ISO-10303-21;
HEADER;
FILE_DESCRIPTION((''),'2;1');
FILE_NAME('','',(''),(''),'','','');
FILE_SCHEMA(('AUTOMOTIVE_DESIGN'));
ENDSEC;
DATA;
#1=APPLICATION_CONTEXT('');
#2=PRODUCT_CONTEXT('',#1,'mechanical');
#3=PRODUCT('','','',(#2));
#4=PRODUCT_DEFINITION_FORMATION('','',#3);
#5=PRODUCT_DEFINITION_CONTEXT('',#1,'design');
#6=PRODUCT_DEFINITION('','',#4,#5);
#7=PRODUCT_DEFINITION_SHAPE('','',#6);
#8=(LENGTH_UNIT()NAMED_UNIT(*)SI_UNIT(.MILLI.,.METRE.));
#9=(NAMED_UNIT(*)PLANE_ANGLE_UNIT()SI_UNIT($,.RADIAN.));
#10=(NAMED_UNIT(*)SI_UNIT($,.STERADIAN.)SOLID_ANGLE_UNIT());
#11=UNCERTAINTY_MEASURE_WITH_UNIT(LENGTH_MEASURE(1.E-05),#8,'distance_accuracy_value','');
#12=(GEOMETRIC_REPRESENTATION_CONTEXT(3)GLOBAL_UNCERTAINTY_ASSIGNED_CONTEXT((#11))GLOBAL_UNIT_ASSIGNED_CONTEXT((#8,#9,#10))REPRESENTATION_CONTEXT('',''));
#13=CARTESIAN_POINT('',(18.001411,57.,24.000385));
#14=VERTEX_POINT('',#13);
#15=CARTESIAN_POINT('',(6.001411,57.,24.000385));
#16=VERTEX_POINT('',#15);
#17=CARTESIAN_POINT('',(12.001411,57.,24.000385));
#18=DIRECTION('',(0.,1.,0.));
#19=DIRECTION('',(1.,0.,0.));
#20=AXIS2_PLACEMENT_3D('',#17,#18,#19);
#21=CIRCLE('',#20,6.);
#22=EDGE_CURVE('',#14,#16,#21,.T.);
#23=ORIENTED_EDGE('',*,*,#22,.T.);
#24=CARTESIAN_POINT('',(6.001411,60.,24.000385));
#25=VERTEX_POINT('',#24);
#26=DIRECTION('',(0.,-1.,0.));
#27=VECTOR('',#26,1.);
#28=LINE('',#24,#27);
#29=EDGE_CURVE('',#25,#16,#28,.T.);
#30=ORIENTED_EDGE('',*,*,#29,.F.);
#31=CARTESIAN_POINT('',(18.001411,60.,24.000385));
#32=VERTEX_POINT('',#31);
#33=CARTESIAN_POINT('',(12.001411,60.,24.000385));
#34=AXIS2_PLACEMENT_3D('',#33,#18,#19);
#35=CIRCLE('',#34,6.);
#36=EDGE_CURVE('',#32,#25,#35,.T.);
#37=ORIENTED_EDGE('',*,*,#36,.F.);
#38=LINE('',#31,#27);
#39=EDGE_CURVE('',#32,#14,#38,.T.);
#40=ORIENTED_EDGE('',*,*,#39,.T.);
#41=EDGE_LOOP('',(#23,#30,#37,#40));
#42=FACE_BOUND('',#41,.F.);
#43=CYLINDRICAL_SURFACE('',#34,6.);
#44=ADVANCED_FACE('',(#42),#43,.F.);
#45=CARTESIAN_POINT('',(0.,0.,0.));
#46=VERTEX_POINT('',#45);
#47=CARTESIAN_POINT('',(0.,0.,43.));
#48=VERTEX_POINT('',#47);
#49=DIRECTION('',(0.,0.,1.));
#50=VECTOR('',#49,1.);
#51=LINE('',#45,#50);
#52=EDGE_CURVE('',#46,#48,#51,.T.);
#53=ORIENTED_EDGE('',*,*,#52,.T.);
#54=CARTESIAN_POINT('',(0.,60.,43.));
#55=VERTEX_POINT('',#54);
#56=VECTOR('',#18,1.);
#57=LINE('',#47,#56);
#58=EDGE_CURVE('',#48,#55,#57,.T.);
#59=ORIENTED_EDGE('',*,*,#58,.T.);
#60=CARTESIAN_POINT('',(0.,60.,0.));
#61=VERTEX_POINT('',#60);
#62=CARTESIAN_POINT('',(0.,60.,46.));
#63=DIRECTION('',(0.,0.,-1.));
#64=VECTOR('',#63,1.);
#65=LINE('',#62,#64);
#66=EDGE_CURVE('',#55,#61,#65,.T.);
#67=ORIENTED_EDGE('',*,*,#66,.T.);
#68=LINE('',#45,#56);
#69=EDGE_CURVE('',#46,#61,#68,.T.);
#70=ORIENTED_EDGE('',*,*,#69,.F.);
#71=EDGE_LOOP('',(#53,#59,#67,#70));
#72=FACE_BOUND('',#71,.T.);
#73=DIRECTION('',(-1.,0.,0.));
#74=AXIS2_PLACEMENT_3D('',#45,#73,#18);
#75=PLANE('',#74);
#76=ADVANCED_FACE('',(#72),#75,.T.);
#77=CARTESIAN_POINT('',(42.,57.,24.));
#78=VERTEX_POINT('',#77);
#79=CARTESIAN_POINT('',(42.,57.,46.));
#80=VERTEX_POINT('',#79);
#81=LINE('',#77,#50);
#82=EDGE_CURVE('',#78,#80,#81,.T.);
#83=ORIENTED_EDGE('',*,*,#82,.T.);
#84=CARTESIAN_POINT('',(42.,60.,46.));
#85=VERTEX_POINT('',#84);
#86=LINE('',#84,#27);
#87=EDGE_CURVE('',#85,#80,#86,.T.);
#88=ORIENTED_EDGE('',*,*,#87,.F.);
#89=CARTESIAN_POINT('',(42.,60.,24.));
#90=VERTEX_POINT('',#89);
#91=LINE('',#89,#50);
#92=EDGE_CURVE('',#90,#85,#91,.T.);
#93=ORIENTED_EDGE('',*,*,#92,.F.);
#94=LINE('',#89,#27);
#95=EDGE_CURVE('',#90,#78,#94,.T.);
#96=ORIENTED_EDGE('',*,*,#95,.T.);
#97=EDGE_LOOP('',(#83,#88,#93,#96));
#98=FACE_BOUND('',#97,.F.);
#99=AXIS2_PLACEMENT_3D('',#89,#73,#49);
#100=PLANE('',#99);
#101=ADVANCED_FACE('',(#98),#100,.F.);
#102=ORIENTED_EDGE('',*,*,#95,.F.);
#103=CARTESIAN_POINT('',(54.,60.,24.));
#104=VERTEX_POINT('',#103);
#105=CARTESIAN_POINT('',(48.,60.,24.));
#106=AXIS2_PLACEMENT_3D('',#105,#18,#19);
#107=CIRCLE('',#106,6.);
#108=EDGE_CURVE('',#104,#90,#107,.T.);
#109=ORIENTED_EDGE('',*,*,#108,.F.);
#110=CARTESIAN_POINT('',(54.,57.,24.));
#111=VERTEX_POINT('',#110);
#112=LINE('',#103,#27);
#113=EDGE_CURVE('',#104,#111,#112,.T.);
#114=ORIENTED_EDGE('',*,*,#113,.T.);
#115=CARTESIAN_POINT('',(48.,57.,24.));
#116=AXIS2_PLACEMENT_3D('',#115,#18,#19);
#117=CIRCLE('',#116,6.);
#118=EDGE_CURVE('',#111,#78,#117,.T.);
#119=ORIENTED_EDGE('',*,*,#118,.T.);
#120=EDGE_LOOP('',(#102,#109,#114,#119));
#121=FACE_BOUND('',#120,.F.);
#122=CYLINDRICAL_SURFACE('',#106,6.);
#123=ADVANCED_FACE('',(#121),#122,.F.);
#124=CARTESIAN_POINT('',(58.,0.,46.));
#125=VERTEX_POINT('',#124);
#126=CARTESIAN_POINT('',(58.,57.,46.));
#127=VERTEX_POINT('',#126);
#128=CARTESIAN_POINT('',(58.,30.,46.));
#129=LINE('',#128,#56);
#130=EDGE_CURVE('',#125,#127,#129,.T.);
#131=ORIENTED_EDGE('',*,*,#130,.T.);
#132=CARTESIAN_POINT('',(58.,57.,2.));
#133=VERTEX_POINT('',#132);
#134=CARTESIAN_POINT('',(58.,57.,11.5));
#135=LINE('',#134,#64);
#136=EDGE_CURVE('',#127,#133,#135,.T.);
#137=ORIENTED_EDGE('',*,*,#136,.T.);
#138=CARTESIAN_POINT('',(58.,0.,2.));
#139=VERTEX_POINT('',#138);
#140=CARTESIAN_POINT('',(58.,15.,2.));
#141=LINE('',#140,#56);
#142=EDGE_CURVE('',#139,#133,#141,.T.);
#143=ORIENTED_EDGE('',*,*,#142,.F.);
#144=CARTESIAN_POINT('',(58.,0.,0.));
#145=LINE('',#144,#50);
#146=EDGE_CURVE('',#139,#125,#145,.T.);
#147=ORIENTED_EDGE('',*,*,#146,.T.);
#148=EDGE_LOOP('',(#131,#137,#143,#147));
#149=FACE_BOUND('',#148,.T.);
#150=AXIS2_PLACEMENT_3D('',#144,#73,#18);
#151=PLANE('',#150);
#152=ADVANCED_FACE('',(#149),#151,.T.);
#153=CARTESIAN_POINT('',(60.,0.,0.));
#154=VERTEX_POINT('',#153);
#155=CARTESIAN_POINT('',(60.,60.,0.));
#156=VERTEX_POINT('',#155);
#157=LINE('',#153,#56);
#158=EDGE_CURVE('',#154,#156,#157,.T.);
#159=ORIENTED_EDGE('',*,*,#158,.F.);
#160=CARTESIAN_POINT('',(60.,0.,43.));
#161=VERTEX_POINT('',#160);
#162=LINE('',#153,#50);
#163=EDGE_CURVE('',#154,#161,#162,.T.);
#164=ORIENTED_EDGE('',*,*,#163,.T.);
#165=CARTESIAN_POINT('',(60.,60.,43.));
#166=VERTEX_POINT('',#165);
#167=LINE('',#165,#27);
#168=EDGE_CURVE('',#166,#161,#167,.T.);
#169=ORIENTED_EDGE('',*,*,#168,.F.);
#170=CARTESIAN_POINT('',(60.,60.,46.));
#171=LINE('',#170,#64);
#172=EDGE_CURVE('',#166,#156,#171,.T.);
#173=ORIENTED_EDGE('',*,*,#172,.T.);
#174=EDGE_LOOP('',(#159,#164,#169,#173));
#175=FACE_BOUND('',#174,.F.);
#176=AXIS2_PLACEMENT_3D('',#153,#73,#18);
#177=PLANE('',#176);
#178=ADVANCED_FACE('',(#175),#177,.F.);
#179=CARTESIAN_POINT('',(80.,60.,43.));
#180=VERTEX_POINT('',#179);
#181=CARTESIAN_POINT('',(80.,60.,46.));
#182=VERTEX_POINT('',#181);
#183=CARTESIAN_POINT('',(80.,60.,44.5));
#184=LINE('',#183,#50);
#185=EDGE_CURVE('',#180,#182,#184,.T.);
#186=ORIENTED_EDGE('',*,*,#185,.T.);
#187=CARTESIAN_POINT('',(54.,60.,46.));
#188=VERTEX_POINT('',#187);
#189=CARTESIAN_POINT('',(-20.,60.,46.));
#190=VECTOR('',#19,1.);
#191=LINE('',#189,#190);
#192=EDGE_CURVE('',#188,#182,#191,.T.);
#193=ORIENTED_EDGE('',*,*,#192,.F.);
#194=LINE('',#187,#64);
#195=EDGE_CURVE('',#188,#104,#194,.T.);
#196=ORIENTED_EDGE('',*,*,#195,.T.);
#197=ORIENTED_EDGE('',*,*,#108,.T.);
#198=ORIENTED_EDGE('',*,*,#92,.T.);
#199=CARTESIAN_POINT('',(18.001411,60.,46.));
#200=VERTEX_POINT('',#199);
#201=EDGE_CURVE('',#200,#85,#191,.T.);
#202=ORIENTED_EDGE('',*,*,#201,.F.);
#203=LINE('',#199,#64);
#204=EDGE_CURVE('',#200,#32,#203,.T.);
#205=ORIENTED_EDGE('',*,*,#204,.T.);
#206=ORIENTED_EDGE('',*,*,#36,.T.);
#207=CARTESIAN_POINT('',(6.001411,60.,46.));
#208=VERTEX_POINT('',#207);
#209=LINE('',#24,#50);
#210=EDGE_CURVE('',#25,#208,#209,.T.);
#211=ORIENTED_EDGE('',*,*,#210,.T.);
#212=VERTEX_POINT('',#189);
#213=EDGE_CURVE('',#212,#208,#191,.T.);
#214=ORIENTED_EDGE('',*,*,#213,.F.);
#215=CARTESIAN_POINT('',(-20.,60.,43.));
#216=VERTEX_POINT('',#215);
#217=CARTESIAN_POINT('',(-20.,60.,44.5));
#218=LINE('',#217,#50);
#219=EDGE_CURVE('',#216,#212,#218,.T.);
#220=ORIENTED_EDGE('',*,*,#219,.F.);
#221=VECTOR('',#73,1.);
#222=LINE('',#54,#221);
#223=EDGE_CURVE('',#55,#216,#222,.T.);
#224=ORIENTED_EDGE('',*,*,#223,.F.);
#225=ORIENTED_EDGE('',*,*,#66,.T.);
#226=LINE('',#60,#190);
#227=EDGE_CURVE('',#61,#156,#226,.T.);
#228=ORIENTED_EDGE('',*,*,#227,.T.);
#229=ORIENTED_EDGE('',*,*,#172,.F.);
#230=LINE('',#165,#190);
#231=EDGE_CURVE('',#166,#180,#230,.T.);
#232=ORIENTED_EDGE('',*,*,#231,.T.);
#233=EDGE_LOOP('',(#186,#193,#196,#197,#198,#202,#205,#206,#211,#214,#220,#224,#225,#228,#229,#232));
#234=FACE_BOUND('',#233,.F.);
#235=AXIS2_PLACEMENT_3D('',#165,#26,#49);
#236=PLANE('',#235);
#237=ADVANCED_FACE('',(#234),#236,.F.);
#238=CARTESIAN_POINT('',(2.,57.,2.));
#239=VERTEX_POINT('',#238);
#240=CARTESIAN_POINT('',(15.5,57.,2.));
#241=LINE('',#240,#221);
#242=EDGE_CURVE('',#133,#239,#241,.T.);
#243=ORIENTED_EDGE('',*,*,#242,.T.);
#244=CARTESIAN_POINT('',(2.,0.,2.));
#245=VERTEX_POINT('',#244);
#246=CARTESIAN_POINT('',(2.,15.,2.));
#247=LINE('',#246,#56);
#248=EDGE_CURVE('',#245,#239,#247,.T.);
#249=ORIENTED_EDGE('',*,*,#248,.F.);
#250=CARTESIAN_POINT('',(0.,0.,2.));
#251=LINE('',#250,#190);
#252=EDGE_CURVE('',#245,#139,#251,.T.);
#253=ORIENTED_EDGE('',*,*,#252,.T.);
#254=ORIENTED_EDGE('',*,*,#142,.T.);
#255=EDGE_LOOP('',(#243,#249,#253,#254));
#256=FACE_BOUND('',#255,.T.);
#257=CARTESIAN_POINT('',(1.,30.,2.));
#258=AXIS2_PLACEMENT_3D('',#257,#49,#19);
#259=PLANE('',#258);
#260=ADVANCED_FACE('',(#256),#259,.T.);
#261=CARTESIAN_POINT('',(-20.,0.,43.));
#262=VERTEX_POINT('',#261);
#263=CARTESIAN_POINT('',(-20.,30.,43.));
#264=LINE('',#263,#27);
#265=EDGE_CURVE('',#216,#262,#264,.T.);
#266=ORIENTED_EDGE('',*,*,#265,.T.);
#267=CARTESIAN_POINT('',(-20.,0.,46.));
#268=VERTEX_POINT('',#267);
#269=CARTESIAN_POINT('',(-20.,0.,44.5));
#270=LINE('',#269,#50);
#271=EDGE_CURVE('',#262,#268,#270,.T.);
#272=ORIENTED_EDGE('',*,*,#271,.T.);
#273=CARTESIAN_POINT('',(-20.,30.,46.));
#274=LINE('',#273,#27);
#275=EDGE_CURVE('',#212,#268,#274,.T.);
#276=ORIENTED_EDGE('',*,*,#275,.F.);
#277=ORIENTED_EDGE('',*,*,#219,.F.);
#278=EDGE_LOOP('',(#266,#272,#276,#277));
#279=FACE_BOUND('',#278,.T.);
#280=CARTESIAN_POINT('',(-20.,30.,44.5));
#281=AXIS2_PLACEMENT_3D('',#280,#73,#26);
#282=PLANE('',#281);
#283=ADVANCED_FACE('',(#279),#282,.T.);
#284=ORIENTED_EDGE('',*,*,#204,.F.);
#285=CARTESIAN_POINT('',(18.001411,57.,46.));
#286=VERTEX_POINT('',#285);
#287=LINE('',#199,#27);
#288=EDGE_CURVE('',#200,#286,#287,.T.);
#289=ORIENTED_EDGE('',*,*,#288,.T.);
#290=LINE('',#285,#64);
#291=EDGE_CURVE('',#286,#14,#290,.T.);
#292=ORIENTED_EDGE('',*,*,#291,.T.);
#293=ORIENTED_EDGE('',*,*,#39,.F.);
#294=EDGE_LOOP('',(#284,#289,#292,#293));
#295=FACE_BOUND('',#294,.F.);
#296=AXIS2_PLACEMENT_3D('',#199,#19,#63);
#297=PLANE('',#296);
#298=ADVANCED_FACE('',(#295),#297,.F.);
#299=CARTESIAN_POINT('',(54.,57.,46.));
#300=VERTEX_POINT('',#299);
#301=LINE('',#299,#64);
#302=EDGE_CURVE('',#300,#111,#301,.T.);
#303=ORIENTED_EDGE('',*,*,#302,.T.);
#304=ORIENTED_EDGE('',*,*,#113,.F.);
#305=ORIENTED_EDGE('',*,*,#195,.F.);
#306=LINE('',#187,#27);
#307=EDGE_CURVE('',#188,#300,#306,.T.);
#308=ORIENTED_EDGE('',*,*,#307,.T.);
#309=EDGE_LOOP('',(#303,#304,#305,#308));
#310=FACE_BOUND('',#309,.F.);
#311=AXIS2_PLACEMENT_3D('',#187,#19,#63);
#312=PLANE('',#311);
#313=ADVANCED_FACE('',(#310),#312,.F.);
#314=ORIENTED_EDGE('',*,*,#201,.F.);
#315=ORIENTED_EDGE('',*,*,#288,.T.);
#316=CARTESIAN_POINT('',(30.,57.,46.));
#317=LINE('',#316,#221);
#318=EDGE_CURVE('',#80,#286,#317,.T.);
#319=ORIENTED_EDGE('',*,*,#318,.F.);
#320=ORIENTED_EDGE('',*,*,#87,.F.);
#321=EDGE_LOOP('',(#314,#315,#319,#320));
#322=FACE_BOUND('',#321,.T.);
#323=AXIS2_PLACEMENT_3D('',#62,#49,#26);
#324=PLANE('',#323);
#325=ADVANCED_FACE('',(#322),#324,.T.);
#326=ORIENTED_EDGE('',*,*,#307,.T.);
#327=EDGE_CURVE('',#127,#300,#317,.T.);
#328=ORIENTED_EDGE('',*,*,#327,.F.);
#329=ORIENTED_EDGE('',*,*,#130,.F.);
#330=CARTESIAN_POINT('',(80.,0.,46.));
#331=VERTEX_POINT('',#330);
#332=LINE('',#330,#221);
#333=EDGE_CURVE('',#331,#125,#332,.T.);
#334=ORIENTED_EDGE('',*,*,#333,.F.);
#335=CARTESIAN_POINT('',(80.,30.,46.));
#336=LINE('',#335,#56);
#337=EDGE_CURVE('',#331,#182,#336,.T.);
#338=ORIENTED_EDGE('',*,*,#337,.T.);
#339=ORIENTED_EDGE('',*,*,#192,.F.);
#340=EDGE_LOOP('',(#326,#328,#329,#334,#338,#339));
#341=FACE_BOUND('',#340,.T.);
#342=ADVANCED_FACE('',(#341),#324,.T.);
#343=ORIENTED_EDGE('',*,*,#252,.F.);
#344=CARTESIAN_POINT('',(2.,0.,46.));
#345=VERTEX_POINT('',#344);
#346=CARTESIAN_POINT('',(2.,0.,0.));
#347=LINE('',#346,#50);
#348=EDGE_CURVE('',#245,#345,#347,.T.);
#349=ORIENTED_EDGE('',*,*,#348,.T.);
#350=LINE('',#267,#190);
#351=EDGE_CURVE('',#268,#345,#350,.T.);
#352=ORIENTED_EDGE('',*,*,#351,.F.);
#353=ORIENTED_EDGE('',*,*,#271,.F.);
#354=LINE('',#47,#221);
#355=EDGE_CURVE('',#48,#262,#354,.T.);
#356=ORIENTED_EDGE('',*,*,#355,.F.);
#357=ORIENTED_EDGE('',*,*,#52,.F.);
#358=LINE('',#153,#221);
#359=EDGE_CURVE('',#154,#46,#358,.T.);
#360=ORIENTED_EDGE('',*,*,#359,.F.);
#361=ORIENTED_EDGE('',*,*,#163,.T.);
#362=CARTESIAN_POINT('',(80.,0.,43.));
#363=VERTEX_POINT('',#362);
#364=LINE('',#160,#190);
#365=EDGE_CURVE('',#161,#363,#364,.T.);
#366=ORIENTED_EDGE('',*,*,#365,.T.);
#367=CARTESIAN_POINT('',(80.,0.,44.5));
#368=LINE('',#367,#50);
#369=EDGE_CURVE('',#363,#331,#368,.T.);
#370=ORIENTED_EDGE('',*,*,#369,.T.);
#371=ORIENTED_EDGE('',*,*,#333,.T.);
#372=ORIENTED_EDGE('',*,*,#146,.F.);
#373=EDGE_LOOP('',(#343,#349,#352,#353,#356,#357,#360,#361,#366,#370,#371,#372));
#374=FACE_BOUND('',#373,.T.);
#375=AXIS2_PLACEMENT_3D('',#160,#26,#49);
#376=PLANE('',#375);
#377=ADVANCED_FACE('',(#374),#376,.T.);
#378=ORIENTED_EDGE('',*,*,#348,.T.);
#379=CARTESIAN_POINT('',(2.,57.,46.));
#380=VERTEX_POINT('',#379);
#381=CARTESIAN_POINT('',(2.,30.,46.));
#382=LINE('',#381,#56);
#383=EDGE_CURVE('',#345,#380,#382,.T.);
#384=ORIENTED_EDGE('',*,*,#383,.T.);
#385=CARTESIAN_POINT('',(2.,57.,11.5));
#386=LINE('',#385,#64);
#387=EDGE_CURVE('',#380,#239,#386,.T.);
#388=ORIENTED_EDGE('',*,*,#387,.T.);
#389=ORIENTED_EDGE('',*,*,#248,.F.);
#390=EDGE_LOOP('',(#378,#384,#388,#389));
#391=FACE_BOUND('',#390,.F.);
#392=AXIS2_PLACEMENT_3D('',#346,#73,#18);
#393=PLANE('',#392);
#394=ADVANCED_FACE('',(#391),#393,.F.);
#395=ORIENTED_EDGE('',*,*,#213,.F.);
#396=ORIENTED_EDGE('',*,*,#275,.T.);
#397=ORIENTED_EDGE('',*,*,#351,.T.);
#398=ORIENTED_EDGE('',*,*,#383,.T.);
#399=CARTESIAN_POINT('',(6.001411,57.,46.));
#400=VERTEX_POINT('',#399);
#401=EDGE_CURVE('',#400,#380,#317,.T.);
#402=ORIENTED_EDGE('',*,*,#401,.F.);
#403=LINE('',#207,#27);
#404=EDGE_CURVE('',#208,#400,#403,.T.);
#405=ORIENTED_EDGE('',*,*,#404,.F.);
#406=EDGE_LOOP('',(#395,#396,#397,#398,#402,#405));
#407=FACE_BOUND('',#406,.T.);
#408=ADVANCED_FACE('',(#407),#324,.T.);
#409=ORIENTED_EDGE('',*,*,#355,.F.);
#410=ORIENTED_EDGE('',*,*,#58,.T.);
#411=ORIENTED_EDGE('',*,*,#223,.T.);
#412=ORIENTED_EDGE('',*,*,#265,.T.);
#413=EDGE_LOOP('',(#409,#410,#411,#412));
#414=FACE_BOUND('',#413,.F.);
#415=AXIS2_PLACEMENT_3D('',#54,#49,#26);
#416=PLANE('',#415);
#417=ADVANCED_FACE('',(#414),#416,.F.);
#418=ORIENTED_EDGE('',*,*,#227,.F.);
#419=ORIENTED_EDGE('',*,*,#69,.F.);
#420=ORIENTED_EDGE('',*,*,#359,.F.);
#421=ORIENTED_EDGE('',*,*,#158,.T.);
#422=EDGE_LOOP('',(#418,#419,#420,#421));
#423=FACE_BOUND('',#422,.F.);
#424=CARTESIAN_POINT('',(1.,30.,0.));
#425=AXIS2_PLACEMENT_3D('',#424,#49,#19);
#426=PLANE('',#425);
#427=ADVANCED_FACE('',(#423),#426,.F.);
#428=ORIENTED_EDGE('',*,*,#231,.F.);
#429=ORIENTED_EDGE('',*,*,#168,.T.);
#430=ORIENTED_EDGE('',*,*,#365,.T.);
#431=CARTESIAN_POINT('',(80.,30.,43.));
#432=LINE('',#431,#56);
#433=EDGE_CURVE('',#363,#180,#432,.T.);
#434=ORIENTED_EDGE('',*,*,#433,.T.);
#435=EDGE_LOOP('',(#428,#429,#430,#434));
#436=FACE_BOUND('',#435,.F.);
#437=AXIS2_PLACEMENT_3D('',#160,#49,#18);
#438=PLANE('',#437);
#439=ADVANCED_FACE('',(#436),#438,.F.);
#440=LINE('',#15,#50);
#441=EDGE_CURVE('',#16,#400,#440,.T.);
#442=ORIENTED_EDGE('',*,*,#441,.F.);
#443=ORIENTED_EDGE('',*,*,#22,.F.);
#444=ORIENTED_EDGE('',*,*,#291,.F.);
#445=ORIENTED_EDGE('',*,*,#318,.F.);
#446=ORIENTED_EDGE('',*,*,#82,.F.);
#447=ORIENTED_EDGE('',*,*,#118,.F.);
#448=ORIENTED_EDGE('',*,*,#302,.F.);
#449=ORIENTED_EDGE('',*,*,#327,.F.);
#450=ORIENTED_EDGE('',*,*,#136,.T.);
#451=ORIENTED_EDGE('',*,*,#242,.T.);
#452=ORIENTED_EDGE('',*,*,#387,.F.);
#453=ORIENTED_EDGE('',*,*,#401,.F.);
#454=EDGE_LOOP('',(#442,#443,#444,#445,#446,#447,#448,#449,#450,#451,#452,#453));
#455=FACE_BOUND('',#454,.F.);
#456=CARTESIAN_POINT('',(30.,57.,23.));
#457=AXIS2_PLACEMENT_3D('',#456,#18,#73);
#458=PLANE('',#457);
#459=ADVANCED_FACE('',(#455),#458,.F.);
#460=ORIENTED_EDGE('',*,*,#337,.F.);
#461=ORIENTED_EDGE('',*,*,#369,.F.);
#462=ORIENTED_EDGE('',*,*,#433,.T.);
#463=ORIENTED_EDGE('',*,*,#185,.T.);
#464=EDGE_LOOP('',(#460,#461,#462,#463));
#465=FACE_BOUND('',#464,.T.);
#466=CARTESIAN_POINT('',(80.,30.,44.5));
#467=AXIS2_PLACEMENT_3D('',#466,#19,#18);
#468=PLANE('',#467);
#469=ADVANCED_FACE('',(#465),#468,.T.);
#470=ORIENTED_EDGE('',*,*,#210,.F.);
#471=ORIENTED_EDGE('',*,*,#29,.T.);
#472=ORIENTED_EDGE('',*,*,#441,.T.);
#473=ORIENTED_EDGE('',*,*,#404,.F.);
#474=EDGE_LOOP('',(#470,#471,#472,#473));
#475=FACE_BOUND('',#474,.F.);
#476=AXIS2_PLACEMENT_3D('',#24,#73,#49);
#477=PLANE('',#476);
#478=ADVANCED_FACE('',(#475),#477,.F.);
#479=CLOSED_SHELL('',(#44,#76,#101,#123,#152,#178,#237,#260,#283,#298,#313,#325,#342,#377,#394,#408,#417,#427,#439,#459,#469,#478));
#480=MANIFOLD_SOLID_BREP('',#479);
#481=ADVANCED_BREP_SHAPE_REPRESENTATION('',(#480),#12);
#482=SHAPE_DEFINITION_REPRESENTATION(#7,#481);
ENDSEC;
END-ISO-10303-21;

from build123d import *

# Parameters (mm, degrees)
F0_W      = 2
F0_H      = 60
F1_DEPTH  = 46
F2_DEPTH  = 2
F3_W      = 60
F3_H      = 3
F4_DEPTH  = 20
F5_W      = 60
F5_H      = 3
F6_DEPTH  = 20
F7_W      = 60
F7_H      = 46
F8_DEPTH  = 3
F10_DEPTH = 3


with BuildPart() as f1:
    # F0 (on Top) → F1 (new body)
    with BuildSketch(Plane.XY):
        with Locations((1, 30)):
            Rectangle(F0_W, F0_H)
    extrude(amount=F1_DEPTH)



with BuildPart() as f1b:
    # F0 (on Top) → F1, piece 2 (new body)
    with BuildSketch(Plane.XY):
        with Locations((59, 30)):
            Rectangle(F0_W, F0_H)
    extrude(amount=F1_DEPTH)


with BuildPart() as f1_1:
    add(f1.part)

    add(f1b.part)  # F2 merges F1b
    # F0 (on Top) → F2 (join)
    with BuildSketch(Plane.XY):
        with Locations((1, 30)):
            Rectangle(F0_W, F0_H)
        Polygon((2, 60), (2, 0), (4.7754659317, 0), (58, 0), (58, 60), align=None)
        with Locations((59, 30)):
            Rectangle(F0_W, F0_H)
    extrude(amount=F2_DEPTH)

    # F3 (on face) → F4 (join)
    with BuildSketch(Plane(origin=(0, 0, 0), x_dir=(0, -1, 0), z_dir=(-1, 0, 0))):
        with Locations((-30, 44.5)):
            Rectangle(F3_W, F3_H)
    extrude(amount=F4_DEPTH)

    # F5 (on face) → F6 (join)
    with BuildSketch(Plane.YZ.offset(60)):
        with Locations((30, 44.5)):
            Rectangle(F5_W, F5_H)
    extrude(amount=F6_DEPTH)

    # F7 (on face) → F8 (join)
    with BuildSketch(Plane(origin=(0, 60, 0), x_dir=(-1, 0, 0), z_dir=(0, 1, 0))):
        with Locations((-30, 23)):
            Rectangle(F7_W, F7_H)
    extrude(amount=-F8_DEPTH)

    # F9 (on face) → F10 (cut)
    with BuildSketch(Plane(origin=(0, 60, 0), x_dir=(-1, 0, 0), z_dir=(0, 1, 0))):
        with BuildLine():
            Line((-18.001411375, 46), (-18.001411375, 24.000384872))
            ThreePointArc((-18.001411375, 24.000384872), (-12.001411375, 18.000384872), (-6.001411375, 24.000384872))
            Line((-6.001411375, 24.000384872), (-6.001411375, 46))
            Line((-6.001411375, 46), (-18.001411375, 46))
        make_face()
        with BuildLine():
            Line((-42, 24), (-42, 46))
            Line((-42, 46), (-54, 46))
            Line((-54, 46), (-54, 24))
            ThreePointArc((-54, 24), (-48, 18), (-42, 24))
        make_face()
    extrude(amount=-F10_DEPTH, mode=Mode.SUBTRACT)


solid = f1_1.part
